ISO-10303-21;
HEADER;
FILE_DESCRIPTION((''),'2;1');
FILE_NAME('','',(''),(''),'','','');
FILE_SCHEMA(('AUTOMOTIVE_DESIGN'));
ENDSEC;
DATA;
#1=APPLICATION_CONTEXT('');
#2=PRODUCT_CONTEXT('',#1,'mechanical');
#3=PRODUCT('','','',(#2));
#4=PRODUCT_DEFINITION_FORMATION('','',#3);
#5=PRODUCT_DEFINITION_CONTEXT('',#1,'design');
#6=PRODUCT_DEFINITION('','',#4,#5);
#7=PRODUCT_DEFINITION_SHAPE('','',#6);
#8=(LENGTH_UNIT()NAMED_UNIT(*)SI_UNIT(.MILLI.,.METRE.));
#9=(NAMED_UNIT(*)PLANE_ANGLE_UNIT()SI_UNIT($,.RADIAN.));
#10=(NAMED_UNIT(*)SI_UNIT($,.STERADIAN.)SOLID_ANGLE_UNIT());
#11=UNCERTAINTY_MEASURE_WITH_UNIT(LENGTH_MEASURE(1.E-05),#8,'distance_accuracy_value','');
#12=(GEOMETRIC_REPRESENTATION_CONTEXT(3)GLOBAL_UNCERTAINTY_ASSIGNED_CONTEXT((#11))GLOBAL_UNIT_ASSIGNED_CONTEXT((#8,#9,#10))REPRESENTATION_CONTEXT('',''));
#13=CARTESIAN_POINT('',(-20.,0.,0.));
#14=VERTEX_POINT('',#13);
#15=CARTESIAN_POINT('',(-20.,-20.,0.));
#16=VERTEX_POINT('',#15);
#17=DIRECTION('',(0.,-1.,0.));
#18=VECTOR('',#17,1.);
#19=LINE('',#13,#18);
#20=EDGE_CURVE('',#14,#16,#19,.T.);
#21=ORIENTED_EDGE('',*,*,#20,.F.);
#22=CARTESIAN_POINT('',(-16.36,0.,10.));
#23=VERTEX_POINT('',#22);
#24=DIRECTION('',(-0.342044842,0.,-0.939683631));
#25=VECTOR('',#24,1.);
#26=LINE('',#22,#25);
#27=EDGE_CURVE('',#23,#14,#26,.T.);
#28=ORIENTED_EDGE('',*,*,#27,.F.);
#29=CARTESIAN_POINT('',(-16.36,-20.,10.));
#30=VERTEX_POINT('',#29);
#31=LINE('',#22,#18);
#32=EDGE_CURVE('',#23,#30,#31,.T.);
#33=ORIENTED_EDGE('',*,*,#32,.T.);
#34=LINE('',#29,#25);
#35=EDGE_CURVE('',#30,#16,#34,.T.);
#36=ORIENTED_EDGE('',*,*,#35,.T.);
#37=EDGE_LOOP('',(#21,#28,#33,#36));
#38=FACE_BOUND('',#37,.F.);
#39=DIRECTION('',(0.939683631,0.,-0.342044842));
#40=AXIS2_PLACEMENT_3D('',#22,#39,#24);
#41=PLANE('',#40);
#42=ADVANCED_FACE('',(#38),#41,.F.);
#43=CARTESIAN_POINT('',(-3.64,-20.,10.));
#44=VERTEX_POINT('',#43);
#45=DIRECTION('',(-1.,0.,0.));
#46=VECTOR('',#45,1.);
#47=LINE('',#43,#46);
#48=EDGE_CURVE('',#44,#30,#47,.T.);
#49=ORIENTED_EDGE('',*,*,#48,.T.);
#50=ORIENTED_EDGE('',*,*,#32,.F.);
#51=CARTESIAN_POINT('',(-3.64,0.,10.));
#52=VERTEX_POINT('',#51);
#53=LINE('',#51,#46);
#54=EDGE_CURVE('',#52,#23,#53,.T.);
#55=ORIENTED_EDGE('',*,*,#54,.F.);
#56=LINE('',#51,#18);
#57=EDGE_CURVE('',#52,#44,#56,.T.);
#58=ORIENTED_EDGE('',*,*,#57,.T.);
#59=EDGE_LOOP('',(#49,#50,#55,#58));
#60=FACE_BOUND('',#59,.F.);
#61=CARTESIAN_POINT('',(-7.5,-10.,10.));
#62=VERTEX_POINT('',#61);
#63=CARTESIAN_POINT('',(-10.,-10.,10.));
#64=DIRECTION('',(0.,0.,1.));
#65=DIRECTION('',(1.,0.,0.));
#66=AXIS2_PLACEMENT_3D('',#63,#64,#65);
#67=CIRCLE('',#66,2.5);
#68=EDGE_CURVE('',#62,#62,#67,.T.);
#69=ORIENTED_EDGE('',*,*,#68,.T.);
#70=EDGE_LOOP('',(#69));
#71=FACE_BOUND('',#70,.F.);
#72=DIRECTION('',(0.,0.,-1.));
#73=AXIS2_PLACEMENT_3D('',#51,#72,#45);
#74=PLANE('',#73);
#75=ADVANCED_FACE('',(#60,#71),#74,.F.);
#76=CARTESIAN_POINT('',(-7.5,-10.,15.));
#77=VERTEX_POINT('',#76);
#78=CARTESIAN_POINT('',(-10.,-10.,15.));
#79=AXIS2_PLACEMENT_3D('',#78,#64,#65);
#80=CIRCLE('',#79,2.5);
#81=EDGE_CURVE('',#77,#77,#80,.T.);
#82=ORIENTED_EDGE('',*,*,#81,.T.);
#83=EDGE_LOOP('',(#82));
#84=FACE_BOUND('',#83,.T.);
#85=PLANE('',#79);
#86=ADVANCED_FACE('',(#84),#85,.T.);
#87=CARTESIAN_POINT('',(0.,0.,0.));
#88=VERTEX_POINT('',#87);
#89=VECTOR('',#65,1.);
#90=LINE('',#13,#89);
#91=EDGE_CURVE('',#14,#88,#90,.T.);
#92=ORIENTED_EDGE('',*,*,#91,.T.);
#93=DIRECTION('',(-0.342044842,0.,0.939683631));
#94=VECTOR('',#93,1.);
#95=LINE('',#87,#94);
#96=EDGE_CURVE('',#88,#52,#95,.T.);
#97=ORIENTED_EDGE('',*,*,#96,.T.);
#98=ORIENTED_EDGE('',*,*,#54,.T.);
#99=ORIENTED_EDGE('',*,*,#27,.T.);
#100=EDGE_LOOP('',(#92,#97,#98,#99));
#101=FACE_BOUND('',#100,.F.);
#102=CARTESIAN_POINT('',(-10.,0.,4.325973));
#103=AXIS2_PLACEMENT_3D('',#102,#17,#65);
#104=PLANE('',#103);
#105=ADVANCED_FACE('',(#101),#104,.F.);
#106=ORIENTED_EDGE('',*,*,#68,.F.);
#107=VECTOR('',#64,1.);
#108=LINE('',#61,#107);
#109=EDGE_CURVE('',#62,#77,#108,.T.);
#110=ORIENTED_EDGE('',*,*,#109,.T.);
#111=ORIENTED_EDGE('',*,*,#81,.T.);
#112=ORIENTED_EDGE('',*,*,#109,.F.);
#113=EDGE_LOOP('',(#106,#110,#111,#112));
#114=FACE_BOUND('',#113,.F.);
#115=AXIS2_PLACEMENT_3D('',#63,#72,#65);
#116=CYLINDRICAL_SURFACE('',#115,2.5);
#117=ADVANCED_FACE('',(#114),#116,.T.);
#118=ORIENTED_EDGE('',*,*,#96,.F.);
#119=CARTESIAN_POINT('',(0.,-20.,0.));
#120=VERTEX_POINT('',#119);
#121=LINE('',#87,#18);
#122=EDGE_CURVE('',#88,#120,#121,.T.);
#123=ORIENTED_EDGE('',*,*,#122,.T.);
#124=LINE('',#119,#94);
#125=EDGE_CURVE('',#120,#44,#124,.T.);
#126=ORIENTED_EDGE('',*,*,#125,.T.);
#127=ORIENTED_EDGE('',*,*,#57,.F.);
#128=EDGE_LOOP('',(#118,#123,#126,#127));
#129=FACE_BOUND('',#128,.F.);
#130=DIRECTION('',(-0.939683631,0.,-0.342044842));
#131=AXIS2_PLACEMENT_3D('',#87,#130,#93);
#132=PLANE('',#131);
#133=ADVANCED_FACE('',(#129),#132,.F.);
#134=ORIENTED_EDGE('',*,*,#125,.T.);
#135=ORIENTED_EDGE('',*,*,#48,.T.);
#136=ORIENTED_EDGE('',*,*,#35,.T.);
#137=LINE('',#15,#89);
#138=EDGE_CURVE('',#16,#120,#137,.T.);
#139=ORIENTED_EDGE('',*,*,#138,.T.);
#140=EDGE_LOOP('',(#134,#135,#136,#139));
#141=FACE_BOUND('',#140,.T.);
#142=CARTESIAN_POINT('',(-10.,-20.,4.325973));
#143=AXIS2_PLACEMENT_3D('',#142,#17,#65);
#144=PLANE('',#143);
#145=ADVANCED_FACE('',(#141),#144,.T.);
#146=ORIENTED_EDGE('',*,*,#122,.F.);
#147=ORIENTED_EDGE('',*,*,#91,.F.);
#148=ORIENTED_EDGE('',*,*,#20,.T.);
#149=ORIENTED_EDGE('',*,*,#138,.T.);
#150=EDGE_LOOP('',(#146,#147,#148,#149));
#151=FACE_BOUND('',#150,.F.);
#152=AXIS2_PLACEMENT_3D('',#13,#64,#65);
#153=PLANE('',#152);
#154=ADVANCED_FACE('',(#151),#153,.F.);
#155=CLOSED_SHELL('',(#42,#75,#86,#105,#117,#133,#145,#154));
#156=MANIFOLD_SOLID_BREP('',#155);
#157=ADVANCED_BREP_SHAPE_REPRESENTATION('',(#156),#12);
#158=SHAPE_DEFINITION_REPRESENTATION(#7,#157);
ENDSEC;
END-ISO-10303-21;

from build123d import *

# Parameters (mm, degrees)
F1_DEPTH = 20
F2_R     = 2.5
F3_DEPTH = 5


with BuildPart() as f1:
    # F0 (on Front) → F1 (new body)
    with BuildSketch(Plane.XZ):
        Polygon((-20, 0), (0, 0), (-3.64, 10), (-16.36, 10), align=None)
    extrude(amount=F1_DEPTH)

    # F2 (on face) → F3 (join)
    with BuildSketch(Plane.XY.offset(10)):
        with Locations((-10, -10)):
            Circle(F2_R)
    extrude(amount=F3_DEPTH)


solid = f1.part
